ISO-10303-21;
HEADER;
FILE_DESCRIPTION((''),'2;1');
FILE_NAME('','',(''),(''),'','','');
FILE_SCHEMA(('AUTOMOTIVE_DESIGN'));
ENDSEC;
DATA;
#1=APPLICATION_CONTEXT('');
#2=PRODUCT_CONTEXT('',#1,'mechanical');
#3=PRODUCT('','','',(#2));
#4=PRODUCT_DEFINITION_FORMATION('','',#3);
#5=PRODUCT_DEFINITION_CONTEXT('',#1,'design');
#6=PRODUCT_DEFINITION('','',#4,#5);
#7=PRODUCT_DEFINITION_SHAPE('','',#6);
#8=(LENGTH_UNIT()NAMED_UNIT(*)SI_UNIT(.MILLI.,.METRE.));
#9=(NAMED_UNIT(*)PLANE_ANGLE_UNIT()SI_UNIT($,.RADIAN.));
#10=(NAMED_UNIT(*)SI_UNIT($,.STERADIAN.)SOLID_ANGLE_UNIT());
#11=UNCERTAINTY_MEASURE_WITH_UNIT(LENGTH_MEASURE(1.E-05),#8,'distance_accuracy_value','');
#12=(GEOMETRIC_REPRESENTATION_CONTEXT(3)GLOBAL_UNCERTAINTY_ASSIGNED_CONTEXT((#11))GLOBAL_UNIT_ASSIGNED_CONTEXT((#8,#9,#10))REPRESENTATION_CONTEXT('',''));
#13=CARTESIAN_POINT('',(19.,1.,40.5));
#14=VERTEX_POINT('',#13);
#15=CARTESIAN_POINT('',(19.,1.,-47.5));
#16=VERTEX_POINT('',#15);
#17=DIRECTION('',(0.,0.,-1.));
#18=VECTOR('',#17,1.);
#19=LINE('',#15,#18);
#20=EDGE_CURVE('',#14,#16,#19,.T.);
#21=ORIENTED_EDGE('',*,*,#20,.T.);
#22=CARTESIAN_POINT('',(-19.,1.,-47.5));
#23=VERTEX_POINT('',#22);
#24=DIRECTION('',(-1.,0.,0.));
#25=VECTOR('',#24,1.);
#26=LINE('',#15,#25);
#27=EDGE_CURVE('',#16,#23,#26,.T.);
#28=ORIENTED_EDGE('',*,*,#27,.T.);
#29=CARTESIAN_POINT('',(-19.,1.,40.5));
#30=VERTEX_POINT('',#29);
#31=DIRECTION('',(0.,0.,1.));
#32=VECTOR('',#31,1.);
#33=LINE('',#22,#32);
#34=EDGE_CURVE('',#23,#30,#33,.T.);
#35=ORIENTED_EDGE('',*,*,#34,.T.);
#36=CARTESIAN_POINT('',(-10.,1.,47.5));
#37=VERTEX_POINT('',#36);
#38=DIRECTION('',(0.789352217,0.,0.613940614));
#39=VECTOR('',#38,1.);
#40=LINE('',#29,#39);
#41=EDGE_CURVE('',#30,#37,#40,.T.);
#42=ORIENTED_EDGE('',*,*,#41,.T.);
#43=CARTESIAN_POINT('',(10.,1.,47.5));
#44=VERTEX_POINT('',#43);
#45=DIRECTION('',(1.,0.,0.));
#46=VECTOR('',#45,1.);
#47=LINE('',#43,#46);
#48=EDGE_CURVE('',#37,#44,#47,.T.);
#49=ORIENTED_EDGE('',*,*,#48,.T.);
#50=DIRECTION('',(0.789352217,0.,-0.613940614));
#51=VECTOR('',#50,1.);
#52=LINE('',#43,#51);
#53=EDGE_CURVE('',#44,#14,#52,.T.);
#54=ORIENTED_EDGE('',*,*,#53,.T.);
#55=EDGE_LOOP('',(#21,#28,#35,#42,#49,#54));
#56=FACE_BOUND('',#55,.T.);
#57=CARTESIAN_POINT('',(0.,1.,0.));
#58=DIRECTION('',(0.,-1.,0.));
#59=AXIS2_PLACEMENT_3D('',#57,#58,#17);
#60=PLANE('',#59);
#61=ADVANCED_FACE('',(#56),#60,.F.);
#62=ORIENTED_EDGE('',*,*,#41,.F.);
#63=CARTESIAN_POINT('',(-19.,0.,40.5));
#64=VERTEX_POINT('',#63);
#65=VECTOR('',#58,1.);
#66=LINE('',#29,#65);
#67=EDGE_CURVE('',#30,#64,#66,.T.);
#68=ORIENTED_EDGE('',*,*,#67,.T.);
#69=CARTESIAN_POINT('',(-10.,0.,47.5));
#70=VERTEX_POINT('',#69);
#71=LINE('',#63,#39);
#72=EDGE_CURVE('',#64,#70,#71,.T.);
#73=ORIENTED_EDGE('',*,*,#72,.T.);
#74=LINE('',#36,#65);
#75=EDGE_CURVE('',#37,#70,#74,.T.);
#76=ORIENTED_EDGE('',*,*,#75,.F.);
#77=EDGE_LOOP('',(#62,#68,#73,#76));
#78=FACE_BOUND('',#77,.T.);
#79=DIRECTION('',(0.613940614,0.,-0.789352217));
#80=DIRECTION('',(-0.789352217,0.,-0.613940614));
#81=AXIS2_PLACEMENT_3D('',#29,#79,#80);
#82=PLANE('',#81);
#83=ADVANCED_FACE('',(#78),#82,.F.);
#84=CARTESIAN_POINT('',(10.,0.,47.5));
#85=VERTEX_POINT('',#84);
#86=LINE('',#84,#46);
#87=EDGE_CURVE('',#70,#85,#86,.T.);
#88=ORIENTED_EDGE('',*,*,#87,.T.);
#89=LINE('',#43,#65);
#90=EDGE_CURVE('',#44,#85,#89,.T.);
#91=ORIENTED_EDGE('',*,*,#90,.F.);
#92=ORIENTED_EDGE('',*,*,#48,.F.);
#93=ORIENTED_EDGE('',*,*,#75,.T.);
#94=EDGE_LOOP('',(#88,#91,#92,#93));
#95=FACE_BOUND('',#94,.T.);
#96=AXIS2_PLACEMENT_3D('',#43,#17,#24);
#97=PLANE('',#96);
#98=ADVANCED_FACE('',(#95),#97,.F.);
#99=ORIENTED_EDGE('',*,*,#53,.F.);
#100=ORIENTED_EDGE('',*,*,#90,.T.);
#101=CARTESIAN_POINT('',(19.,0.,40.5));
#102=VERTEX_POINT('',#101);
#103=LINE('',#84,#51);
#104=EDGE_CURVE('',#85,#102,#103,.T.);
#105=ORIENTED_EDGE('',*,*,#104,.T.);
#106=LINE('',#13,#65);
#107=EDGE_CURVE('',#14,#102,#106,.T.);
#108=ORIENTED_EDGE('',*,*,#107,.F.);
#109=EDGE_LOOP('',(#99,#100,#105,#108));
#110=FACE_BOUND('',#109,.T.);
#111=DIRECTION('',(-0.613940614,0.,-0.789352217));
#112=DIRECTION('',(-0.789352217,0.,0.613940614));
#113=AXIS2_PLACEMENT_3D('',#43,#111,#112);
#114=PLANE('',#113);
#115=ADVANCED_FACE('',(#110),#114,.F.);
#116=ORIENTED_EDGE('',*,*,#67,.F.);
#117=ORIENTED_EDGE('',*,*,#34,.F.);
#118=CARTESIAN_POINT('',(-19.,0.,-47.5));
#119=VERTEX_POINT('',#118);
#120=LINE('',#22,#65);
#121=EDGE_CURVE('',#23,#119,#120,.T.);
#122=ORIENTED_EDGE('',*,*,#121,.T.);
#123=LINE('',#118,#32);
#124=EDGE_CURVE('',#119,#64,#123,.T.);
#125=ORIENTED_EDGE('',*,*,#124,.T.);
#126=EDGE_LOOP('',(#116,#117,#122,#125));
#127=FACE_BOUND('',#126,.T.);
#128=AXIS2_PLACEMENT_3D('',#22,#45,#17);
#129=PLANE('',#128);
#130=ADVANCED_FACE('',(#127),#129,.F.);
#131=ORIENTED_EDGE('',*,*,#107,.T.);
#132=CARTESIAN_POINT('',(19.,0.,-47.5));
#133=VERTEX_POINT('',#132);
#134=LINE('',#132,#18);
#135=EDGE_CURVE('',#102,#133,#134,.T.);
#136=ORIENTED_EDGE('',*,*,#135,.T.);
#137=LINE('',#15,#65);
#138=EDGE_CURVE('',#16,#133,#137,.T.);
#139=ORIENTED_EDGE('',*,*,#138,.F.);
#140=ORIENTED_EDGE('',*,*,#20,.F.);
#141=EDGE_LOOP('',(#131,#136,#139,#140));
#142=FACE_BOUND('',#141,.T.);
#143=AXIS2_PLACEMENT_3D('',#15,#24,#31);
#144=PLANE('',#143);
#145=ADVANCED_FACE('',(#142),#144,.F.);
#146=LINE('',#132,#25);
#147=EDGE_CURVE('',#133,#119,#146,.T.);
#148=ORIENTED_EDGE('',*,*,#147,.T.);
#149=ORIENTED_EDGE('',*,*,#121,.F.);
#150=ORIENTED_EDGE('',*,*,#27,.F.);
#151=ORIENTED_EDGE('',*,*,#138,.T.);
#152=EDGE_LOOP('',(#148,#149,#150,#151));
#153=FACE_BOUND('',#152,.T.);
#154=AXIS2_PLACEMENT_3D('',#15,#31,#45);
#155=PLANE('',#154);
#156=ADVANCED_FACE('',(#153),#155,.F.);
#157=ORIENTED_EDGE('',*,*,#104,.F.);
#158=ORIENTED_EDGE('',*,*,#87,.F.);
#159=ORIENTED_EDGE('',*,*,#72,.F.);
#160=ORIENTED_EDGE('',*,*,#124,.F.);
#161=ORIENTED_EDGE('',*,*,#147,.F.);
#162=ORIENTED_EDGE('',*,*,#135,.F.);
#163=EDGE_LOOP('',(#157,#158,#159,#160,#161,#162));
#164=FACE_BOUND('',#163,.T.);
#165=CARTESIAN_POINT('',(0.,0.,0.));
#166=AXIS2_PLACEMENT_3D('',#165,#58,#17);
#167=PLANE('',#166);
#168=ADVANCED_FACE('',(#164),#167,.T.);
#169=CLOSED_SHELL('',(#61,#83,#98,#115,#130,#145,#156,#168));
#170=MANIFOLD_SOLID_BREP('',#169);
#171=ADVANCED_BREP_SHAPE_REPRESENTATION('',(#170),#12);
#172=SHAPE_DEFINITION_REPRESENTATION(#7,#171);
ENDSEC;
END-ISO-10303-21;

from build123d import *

# Parameters (mm, degrees)
BOSS_EXTRUDE1_DEPTH = 1


with BuildPart() as part:
    # Sketch1 → Boss-Extrude1 (new body)
    with BuildSketch(Plane(origin=(0, 0, 0), x_dir=(1, 0, 0), z_dir=(0, 1, 0))):
        Polygon((-19, -40.5), (-10, -47.5), (10, -47.5), (19, -40.5), (19, 47.5), (-19, 47.5), align=None)
    extrude(amount=BOSS_EXTRUDE1_DEPTH)


solid = part.part
